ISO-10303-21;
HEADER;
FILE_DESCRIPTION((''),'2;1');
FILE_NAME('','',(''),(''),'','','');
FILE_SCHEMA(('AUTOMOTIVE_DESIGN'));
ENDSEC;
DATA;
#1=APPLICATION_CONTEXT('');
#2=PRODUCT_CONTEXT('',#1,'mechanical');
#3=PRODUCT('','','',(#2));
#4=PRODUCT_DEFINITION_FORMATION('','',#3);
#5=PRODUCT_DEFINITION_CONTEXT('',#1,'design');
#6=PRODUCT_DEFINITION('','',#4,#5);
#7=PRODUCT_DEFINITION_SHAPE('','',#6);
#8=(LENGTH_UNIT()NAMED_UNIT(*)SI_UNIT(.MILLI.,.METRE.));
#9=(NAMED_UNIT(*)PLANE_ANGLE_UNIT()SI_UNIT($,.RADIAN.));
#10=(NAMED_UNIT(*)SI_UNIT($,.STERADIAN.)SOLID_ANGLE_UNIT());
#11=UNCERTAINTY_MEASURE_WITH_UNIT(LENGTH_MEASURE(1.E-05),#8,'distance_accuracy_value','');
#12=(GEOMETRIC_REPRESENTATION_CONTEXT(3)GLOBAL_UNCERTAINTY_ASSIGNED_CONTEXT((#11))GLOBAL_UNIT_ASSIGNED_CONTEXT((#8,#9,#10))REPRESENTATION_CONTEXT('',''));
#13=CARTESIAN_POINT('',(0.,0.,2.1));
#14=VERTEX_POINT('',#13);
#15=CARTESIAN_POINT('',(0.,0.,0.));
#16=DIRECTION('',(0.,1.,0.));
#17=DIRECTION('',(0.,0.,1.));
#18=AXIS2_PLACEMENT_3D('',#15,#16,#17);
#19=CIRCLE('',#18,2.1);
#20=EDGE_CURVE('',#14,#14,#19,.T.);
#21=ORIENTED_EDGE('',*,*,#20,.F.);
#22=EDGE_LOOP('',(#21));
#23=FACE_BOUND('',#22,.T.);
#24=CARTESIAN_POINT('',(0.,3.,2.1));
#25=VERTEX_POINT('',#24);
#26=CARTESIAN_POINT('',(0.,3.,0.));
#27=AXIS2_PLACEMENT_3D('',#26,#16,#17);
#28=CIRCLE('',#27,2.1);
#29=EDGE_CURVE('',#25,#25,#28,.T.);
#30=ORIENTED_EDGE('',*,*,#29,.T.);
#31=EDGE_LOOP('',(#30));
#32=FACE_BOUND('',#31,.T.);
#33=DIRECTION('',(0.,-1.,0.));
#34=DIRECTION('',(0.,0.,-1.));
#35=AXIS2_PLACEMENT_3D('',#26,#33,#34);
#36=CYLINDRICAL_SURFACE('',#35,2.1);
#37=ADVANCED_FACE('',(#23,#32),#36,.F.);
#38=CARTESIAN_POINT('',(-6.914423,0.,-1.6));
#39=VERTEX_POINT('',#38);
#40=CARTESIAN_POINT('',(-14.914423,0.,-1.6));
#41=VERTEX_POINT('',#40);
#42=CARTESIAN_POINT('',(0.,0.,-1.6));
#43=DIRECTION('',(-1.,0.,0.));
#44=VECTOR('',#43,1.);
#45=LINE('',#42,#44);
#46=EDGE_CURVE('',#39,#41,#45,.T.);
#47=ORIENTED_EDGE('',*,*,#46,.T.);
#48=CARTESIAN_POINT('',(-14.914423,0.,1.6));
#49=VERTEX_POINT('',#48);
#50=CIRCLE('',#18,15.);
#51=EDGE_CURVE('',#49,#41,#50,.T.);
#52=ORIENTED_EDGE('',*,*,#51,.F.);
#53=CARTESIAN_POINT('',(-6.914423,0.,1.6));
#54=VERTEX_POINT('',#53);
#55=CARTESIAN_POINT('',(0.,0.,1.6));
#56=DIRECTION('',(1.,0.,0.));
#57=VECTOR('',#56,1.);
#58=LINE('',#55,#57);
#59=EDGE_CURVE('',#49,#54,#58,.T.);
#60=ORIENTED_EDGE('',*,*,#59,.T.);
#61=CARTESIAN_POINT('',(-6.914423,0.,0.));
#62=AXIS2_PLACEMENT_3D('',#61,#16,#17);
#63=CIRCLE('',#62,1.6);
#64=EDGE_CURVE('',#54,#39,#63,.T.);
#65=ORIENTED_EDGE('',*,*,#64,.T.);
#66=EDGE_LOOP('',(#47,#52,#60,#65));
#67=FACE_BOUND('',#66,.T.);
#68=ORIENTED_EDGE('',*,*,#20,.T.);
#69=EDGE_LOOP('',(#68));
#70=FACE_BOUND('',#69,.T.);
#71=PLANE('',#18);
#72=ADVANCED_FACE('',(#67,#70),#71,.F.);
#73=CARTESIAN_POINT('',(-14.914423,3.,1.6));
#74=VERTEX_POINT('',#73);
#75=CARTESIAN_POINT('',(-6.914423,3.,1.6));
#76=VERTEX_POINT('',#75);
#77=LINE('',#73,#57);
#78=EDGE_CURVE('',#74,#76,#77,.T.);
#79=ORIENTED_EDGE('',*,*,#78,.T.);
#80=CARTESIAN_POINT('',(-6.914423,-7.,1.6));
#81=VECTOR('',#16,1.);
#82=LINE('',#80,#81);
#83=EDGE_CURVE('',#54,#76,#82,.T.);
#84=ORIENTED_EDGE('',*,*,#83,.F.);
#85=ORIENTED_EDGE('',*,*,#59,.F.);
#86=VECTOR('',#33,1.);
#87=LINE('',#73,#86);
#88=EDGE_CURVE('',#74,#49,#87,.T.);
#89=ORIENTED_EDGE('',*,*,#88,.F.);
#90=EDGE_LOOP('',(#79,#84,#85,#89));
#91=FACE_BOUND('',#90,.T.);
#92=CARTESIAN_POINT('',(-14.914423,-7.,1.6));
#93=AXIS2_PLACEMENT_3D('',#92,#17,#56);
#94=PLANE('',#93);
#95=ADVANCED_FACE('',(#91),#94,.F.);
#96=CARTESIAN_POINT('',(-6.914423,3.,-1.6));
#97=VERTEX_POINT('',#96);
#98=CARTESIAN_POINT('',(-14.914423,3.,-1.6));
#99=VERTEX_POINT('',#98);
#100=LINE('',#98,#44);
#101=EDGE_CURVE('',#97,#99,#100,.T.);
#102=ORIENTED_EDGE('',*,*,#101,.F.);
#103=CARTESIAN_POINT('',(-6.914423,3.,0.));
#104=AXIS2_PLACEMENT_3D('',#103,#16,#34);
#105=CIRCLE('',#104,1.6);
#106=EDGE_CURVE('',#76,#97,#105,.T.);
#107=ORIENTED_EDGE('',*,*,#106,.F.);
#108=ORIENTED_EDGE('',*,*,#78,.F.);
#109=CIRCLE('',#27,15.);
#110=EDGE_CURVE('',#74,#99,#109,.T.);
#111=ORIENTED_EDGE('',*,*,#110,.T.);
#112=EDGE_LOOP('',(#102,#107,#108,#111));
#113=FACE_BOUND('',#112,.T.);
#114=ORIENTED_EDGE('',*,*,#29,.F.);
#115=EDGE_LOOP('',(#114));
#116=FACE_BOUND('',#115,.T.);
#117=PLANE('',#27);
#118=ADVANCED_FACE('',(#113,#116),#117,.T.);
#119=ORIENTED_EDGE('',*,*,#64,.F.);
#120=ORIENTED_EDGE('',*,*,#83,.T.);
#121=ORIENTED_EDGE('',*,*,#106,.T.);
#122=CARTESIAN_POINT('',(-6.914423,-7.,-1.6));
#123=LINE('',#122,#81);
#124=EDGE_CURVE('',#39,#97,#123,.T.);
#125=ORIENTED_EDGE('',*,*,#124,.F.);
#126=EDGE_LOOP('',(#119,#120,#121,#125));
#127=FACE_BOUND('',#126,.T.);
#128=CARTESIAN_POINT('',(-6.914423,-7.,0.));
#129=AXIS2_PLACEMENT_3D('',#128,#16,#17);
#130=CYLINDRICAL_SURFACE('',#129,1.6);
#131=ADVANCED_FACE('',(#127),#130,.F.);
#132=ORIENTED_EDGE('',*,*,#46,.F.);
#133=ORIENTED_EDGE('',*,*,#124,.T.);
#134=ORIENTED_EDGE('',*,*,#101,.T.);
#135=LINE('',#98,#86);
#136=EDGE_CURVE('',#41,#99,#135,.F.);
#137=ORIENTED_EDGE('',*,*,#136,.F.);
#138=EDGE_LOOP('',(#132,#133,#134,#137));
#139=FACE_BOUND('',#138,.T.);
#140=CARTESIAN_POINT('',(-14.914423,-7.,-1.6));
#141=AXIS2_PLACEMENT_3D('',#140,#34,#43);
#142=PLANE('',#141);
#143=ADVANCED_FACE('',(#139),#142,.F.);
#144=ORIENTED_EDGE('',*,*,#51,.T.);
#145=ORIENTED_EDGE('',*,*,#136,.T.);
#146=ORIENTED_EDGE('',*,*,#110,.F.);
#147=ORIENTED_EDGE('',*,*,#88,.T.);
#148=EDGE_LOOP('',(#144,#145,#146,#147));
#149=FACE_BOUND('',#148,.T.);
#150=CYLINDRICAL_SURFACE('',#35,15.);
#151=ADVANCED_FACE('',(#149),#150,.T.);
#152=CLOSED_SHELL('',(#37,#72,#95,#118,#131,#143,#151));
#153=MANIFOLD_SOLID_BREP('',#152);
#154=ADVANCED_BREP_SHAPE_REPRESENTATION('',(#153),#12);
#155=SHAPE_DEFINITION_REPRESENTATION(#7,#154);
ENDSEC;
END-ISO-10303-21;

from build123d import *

# Parameters (mm, degrees)
SKETCH_1_R          = 15
SKETCH_1_R_2        = 2.1
EXTRUDE_1_DEPTH     = 3
CUT_EXTRUDE_1_DEPTH = 10


with BuildPart() as part:
    # ｽｹｯﾁ1 → ﾎﾞｽ - 押し出し1 (new body)
    with BuildSketch(Plane(origin=(0, 0, 0), x_dir=(1, 0, 0), z_dir=(0, 1, 0))):
        with Locations(Location((0, 0, 0), (0, 0, 270))):
            Circle(SKETCH_1_R)
        with Locations(Location((0, 0, 0), (0, 0, 270))):
            Circle(SKETCH_1_R_2, mode=Mode.SUBTRACT)
    extrude(amount=EXTRUDE_1_DEPTH)

    # ｽｹｯﾁ2 → ｶｯﾄ - 押し出し1 (cut)
    with BuildSketch(Plane(origin=(0, 3, 0), x_dir=(1, 0, 0), z_dir=(0, 1, 0))):
        with BuildLine():
            Line((-14.91442255, 1.6), (-6.91442255, 1.6))
            ThreePointArc((-6.91442255, 1.6), (-5.31442255, 0), (-6.91442255, -1.6))
            Line((-6.91442255, -1.6), (-14.91442255, -1.6))
            ThreePointArc((-14.91442255, -1.6), (-16.51442255, 0), (-14.91442255, 1.6))
        make_face()
    extrude(amount=-CUT_EXTRUDE_1_DEPTH, mode=Mode.SUBTRACT)


solid = part.part
